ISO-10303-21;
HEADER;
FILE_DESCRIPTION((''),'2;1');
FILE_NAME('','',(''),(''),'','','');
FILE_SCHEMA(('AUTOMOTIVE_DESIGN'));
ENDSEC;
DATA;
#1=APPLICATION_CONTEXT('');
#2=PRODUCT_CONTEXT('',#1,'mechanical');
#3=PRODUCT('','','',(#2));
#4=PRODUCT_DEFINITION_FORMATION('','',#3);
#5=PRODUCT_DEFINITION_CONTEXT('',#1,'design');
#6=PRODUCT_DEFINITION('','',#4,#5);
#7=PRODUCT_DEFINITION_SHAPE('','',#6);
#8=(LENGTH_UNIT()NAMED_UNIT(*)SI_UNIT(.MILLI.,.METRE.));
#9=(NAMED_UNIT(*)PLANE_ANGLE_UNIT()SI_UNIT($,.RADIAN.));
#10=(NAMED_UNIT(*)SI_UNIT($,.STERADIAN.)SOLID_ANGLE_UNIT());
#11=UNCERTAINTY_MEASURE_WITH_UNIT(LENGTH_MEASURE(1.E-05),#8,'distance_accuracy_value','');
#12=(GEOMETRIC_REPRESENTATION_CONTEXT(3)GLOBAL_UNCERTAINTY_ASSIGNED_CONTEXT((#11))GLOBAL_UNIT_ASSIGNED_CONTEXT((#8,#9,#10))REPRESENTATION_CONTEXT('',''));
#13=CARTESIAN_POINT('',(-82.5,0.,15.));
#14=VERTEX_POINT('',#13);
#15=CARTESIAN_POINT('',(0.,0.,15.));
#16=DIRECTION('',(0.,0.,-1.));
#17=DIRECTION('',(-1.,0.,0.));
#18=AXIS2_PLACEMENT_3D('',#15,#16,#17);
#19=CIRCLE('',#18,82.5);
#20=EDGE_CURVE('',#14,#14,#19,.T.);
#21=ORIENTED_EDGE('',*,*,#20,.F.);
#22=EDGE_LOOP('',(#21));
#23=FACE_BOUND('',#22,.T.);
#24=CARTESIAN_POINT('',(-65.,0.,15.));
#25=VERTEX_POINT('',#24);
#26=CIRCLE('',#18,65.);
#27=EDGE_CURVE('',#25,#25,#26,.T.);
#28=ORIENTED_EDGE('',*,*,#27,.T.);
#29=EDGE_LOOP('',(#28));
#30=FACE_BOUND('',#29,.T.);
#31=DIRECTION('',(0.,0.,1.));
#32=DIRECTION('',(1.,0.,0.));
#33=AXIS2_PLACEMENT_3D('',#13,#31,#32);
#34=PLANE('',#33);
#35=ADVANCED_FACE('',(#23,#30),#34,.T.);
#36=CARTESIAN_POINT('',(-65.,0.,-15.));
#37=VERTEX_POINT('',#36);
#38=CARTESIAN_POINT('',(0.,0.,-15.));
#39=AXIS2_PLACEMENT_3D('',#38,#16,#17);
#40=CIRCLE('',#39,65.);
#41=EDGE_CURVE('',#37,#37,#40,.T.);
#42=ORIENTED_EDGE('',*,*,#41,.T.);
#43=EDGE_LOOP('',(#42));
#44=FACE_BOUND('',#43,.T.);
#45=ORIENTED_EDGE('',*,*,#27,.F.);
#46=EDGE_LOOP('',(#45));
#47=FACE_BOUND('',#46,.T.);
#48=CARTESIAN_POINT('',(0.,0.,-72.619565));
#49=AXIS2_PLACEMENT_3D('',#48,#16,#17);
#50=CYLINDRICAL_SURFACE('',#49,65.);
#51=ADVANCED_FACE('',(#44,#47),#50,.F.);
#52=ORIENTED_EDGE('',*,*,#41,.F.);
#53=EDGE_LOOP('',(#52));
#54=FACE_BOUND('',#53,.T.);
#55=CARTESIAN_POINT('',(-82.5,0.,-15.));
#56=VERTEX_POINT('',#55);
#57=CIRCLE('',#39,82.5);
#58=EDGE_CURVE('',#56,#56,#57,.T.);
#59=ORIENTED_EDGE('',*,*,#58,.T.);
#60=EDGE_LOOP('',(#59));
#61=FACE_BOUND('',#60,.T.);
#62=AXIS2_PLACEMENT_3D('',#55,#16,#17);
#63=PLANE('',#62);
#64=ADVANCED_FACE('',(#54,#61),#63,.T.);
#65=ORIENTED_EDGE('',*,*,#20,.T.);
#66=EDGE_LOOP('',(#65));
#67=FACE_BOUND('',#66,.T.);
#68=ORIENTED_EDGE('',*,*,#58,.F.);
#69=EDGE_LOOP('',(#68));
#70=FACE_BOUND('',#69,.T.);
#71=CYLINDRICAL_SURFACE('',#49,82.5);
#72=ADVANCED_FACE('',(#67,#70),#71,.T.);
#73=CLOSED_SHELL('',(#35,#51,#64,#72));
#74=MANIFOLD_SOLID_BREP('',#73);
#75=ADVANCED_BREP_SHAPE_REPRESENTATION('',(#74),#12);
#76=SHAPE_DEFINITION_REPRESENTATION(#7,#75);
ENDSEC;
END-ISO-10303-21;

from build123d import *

# Parameters (mm, degrees)
SKETCH1_W = 17.5
SKETCH1_H = 30


with BuildPart() as part:
    # Sketch1 → Revolve2 (revolve)
    with BuildSketch(Plane(origin=(0, 0, 0), x_dir=(1, 0, 0), z_dir=(0, 1, 0))):
        with Locations((-73.75, 0)):
            Rectangle(SKETCH1_W, SKETCH1_H)
    revolve(axis=Axis((0, 0, -72.619565217), (0, 0, 1)))


solid = part.part
